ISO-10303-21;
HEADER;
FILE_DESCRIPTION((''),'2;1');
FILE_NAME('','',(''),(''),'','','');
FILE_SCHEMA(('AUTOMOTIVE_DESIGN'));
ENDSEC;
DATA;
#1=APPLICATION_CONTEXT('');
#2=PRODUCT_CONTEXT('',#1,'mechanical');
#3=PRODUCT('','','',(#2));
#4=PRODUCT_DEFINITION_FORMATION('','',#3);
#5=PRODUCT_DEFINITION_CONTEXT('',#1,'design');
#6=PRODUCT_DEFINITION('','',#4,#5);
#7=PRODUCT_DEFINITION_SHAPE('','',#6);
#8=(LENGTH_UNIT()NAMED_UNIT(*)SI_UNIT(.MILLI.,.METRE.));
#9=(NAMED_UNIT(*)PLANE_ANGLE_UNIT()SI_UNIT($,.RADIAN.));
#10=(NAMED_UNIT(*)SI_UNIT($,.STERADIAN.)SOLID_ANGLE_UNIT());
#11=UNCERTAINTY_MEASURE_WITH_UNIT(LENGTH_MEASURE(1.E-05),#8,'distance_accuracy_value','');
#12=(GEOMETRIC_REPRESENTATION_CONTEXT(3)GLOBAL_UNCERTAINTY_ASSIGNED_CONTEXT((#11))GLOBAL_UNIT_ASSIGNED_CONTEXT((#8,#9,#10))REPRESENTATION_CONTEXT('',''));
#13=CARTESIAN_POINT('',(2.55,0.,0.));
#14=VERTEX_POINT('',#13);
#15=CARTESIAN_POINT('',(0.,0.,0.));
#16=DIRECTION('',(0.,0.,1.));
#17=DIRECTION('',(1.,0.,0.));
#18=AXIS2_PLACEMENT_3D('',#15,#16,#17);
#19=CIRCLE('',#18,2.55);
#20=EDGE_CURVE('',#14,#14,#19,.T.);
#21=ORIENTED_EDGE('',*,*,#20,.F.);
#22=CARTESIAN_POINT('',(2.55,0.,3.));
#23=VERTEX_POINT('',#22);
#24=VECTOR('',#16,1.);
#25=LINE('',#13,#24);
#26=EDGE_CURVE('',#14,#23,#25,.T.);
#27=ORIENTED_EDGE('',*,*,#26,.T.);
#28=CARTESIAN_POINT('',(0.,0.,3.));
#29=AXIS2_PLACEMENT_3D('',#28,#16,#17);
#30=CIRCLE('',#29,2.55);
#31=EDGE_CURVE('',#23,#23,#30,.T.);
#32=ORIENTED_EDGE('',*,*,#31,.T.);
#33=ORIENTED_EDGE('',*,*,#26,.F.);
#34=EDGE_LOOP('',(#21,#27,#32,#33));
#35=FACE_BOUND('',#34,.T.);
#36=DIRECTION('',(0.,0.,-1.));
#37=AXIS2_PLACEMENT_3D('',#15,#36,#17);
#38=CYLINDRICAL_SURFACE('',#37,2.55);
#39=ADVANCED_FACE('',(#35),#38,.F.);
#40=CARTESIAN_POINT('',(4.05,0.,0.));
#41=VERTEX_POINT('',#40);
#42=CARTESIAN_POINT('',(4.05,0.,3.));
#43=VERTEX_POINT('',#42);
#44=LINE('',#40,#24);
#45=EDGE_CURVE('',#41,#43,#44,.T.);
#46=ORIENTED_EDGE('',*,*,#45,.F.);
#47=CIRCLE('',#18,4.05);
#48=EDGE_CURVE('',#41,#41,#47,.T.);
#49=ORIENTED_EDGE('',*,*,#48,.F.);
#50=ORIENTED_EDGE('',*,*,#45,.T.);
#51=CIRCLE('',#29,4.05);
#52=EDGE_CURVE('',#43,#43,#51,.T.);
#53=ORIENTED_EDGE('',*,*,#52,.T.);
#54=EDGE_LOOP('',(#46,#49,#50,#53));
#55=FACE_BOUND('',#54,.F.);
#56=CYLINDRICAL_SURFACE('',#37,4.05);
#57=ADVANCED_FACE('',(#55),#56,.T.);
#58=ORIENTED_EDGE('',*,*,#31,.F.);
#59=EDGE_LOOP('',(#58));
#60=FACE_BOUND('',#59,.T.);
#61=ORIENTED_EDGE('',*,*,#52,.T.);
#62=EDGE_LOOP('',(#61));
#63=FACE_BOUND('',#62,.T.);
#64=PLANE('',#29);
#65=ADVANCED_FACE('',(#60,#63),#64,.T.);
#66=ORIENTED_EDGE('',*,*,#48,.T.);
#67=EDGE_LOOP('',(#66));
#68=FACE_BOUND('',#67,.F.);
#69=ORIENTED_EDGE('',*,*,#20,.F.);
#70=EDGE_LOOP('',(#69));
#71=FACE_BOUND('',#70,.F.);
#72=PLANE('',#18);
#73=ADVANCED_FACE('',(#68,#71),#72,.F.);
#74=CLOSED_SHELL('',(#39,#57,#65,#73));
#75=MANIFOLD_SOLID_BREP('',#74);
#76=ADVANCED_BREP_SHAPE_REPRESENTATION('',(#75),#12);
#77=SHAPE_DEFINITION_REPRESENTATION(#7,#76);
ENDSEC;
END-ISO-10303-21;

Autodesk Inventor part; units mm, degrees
ref_plane "YZ Plane" through (0, 0, 0) normal (1, 0, 0) x (0, 1, 0)
ref_plane "XZ Plane" through (0, 0, 0) normal (0, 1, 0) x (-1, 0, 0)
ref_plane "XY Plane" through (0, 0, 0) normal (0, 0, 1) x (1, 0, 0)
sketch "Sketch1" plane through (0, 0, 0) normal (0, 0, 1) x (1, 0, 0)
  circle A0 centre (0, 0) radius 2.55
  circle A1 centre (0, 0) radius 4.05
  dimension "d0" = 5.1
  dimension "d1" = 1.5
extrude "Extrusion1" add sketch "Sketch1" along normal blind 3
properties part number "5mmx3mm spacer"
